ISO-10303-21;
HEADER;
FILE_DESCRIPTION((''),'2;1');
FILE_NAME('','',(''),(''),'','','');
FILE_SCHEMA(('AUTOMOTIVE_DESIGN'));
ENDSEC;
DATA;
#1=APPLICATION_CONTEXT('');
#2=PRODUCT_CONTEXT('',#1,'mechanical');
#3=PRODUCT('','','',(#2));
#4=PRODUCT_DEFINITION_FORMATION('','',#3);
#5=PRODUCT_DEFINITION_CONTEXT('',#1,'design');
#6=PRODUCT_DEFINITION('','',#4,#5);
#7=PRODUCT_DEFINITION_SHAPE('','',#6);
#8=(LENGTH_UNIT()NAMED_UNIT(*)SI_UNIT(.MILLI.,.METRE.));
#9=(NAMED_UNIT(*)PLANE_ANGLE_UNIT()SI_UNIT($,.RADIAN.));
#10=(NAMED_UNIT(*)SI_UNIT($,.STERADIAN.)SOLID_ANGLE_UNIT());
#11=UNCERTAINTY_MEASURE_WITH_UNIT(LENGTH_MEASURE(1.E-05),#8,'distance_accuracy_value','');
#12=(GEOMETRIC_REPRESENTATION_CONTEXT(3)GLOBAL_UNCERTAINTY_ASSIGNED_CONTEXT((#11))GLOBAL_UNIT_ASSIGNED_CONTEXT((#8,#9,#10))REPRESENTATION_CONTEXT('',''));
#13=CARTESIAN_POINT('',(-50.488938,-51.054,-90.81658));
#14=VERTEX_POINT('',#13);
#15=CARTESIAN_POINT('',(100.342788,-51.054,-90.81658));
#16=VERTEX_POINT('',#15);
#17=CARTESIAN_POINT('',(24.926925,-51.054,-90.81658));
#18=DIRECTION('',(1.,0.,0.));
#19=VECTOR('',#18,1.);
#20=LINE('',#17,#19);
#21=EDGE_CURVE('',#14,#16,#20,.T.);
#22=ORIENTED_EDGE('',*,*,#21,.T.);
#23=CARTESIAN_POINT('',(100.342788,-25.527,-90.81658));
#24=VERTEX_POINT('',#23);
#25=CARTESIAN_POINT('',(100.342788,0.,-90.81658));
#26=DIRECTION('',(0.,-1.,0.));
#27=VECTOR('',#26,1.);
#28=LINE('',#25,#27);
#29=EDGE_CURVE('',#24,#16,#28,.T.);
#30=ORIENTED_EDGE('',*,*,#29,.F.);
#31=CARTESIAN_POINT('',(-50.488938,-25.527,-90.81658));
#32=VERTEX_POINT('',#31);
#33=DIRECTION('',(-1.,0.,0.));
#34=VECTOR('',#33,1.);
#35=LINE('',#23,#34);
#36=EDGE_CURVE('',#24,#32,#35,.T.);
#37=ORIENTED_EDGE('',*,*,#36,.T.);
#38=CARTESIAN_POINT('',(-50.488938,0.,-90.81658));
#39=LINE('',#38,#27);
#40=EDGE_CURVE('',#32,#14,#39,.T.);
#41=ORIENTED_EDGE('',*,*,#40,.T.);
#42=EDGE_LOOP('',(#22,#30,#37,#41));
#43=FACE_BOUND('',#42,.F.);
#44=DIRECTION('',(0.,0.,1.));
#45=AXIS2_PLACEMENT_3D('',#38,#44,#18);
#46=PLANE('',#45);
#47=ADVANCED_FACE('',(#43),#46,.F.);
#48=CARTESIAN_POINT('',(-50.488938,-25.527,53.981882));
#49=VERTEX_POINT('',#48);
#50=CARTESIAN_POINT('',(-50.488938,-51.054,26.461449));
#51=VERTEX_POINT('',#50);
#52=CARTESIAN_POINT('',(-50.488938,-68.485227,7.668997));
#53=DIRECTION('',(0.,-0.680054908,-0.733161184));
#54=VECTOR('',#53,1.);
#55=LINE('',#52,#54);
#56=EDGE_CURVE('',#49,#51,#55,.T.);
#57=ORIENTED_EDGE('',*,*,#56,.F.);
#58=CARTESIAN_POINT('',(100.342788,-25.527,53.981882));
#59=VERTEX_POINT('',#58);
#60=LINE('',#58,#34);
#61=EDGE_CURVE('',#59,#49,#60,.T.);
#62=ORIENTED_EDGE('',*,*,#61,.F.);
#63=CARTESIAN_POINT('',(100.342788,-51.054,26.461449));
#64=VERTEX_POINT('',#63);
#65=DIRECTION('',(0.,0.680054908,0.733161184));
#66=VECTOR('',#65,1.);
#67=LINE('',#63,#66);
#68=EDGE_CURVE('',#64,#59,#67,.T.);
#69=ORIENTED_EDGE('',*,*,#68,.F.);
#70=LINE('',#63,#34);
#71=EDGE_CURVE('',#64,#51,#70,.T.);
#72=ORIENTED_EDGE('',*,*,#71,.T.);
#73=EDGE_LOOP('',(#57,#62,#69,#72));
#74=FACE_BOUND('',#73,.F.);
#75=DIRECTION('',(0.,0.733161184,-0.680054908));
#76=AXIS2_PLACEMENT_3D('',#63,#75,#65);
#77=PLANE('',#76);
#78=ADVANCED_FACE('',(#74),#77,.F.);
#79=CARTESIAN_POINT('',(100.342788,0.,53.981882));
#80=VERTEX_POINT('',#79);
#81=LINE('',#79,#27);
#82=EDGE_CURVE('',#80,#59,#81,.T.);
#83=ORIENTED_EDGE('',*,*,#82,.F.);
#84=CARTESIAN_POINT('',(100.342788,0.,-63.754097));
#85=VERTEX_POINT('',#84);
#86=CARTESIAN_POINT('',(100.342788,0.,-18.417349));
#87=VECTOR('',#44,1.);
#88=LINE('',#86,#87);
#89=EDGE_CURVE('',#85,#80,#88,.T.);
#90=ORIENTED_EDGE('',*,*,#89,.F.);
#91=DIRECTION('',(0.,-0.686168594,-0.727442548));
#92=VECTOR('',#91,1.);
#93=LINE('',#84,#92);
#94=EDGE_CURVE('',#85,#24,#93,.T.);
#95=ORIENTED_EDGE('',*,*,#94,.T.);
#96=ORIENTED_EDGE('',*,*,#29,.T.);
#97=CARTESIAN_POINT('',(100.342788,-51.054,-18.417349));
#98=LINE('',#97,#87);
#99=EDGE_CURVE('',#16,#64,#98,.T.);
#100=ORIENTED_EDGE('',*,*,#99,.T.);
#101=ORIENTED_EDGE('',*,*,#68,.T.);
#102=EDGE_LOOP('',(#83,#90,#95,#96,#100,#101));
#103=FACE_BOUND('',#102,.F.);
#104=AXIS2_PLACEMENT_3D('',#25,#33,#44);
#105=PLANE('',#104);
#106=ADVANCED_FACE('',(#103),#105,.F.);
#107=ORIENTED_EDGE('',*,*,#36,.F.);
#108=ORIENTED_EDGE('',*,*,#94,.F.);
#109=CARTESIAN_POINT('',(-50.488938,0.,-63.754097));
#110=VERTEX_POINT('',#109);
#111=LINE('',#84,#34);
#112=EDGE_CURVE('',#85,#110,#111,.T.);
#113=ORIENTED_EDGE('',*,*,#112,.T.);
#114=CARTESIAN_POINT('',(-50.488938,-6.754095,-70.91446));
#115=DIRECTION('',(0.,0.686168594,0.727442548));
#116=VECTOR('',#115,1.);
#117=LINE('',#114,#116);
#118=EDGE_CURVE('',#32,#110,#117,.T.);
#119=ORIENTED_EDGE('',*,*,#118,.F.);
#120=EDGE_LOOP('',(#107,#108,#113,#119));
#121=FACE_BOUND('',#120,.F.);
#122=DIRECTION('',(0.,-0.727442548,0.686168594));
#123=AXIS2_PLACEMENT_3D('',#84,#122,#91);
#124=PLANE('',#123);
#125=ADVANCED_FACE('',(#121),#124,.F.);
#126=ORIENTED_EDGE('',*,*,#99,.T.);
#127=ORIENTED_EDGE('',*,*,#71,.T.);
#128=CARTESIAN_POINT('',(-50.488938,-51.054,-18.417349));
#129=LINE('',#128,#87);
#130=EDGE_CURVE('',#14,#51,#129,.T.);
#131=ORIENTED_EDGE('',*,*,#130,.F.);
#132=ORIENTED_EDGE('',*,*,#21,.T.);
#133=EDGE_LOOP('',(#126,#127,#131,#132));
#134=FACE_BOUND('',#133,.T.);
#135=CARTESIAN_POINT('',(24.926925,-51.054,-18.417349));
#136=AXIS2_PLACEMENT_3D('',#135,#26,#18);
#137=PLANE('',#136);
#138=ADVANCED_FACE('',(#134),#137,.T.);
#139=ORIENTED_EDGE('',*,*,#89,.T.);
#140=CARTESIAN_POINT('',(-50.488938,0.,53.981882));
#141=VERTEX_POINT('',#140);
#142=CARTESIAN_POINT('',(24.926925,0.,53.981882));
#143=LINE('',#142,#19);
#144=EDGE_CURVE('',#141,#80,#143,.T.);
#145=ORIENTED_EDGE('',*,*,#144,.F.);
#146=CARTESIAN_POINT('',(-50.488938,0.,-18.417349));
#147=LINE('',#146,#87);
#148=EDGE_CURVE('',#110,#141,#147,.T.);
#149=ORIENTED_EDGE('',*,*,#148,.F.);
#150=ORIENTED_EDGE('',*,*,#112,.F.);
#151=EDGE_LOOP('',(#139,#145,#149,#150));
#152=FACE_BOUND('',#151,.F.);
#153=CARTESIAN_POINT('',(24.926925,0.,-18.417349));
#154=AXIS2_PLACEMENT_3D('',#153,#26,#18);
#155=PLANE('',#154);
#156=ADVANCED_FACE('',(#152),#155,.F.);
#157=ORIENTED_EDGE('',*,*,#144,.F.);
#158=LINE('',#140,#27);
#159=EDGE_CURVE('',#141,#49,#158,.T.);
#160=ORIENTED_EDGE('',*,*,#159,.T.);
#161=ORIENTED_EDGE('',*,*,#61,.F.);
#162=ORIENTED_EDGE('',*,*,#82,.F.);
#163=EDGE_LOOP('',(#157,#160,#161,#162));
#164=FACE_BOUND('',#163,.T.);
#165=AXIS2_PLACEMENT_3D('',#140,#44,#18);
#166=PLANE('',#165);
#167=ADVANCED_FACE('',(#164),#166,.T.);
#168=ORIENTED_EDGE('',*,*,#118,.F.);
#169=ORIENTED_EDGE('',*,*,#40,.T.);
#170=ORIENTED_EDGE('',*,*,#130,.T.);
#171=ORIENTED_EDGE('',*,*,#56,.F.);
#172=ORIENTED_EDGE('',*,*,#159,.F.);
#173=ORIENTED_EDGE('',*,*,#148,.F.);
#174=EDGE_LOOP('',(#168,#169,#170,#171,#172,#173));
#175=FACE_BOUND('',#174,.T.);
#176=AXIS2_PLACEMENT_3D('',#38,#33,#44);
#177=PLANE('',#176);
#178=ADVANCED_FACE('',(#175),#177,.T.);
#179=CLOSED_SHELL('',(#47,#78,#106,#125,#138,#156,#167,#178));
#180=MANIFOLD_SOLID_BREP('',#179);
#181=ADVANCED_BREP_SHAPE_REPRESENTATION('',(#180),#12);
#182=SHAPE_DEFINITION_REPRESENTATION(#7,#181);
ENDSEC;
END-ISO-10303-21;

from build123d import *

# Parameters (mm, degrees)
F0_W     = 150.831726
F0_H     = 144.798462
F1_DEPTH = 51.054
F3_DEPTH = 160.02


with BuildPart() as f1:
    # F0 (on Front) → F1 (new body)
    with BuildSketch(Plane.XZ):
        with Locations((24.926925, -18.417349)):
            Rectangle(F0_W, F0_H)
    extrude(amount=F1_DEPTH)

    # F2 (on face) → F3 (cut)
    with BuildSketch(Plane.YZ.offset(100.342788)):
        Polygon((-51.054, 53.981882), (-51.054, 26.461449), (-25.527, 53.981882), align=None)
        Polygon((0, -63.754097), (-25.527, -90.81658), (0, -90.81658), align=None)
    extrude(amount=-F3_DEPTH, mode=Mode.SUBTRACT)


solid = f1.part
